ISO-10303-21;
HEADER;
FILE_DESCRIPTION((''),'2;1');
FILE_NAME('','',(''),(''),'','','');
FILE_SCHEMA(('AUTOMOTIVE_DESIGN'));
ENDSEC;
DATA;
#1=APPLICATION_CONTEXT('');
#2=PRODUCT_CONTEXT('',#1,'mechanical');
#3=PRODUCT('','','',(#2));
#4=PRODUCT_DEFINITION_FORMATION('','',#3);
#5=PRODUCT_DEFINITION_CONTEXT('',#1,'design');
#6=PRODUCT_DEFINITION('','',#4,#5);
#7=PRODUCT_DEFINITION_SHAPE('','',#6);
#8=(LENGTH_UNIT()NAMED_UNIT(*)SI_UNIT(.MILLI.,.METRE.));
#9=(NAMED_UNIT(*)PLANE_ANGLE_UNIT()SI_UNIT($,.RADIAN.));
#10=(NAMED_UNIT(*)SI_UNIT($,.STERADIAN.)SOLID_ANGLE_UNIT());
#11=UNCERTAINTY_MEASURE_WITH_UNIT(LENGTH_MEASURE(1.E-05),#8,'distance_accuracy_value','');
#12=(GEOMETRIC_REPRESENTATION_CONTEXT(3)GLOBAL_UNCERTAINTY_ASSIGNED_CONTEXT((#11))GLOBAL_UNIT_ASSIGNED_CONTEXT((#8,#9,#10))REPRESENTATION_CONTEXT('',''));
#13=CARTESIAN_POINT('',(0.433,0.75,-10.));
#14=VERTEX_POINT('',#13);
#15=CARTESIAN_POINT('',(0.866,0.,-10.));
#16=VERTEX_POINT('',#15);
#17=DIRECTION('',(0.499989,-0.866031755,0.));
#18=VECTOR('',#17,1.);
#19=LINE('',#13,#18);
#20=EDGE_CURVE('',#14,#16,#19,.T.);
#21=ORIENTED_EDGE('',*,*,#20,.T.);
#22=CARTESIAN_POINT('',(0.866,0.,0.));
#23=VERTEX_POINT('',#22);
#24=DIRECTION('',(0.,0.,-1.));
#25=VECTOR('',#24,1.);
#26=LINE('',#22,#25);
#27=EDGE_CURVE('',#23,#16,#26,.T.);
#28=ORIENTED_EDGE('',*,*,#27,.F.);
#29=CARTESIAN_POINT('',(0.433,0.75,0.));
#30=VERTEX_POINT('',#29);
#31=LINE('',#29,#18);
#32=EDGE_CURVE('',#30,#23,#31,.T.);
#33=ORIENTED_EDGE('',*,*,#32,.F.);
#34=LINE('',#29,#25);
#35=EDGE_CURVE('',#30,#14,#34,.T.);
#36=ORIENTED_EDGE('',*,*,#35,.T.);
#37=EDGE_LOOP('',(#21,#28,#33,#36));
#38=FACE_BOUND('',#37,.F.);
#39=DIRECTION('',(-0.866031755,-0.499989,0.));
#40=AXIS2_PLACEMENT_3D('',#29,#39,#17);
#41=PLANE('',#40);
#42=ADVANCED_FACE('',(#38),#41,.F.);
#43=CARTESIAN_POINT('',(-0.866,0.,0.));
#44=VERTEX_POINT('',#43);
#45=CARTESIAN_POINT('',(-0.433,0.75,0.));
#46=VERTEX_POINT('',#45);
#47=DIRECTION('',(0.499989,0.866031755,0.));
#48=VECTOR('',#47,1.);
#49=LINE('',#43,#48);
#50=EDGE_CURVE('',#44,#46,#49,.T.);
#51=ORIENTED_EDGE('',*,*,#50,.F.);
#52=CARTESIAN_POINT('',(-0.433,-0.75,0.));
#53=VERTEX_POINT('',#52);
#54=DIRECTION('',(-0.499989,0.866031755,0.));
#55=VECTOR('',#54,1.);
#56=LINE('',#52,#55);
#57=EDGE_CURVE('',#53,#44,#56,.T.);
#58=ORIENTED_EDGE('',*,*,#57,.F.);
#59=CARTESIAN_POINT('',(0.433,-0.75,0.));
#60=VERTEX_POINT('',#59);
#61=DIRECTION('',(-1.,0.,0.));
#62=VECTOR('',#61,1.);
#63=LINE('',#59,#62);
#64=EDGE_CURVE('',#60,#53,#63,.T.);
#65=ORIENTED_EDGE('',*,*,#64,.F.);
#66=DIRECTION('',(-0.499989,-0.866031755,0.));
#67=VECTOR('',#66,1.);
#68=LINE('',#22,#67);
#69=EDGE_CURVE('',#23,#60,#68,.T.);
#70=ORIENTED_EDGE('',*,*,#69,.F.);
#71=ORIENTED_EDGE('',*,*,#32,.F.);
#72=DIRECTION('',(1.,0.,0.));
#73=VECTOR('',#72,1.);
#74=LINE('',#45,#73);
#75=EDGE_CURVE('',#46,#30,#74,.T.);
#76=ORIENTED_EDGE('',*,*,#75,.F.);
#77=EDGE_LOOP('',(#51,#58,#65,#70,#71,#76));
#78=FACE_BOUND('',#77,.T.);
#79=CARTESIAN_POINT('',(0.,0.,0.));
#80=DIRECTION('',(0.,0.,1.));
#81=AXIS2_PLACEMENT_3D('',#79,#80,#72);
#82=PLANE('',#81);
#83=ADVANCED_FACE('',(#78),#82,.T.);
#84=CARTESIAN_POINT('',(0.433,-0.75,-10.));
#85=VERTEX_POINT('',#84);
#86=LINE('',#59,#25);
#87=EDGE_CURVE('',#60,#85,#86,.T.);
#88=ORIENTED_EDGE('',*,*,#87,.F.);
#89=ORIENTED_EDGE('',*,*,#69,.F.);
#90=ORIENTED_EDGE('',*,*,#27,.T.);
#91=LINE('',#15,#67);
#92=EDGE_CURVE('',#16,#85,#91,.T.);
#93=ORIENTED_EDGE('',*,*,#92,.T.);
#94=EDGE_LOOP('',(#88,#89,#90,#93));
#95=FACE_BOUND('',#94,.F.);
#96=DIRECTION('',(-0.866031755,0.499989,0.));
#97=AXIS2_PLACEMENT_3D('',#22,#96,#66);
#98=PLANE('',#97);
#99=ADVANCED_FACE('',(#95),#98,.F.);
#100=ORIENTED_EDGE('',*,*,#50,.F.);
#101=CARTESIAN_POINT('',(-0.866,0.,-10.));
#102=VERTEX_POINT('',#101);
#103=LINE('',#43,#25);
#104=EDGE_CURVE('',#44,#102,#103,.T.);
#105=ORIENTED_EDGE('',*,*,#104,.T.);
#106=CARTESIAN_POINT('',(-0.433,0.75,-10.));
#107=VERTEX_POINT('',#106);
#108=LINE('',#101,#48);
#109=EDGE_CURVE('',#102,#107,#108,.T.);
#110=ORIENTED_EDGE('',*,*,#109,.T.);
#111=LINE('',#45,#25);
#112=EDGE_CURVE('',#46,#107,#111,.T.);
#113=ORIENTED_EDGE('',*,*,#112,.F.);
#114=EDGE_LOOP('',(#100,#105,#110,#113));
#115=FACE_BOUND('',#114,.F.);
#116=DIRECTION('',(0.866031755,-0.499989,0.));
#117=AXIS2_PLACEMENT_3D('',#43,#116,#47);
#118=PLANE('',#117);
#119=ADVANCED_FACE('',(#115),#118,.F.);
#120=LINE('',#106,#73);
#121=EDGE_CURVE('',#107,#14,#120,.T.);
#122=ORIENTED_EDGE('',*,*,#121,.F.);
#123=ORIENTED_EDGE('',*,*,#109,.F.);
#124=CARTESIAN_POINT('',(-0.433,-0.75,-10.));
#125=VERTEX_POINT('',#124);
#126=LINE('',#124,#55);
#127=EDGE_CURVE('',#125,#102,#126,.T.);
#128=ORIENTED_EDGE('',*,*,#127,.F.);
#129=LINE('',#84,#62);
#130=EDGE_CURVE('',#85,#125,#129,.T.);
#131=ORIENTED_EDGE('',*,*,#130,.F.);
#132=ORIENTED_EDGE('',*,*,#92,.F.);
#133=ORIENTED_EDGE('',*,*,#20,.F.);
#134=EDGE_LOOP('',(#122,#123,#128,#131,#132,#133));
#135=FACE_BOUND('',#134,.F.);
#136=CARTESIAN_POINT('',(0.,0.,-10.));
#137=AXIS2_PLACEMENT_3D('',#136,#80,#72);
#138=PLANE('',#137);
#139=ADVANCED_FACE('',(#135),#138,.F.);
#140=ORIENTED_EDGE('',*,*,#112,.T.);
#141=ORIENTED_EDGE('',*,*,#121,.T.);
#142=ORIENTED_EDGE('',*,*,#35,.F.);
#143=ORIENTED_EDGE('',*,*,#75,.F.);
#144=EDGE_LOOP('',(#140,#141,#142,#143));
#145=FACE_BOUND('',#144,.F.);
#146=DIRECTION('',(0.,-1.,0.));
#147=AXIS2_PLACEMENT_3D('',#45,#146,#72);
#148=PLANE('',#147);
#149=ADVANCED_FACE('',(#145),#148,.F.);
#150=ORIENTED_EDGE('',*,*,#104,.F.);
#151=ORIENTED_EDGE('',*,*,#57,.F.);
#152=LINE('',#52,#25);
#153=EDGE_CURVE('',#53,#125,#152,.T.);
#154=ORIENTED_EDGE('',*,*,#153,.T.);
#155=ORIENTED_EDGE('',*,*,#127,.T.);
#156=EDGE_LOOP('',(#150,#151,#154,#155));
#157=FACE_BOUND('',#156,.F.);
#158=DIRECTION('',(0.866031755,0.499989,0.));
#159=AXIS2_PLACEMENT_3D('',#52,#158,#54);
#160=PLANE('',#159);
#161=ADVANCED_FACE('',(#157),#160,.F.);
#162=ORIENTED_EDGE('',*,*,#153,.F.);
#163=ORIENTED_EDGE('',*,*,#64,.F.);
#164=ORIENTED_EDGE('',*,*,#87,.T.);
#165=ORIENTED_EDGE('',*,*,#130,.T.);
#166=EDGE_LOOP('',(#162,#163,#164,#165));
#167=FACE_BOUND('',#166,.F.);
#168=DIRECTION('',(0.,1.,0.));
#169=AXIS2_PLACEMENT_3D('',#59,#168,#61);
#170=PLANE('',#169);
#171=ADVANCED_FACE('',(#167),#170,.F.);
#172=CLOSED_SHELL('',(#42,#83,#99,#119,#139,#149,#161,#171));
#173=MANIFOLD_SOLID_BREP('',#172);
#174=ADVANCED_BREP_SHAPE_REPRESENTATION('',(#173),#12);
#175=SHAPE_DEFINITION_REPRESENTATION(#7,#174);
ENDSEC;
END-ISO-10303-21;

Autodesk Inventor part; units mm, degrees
ref_plane "YZ Plane" through (0, 0, 0) normal (1, 0, 0) x (0, 1, 0)
ref_plane "XZ Plane" through (0, 0, 0) normal (0, 1, 0) x (-1, 0, 0)
ref_plane "XY Plane" through (0, 0, 0) normal (0, 0, 1) x (1, 0, 0)
sketch "Sketch1" plane through (0, 0, 0) normal (0, 0, 1) x (1, 0, 0)
  line L0 (0.866, 0) -> (0.433, -0.75)
  line L1 (0.433, -0.75) -> (-0.433, -0.75)
  line L2 (-0.433, -0.75) -> (-0.866, 0)
  line L3 (-0.866, 0) -> (-0.433, 0.75)
  line L4 (-0.433, 0.75) -> (0.433, 0.75)
  line L5 (0.433, 0.75) -> (0.866, 0)
  point P0 (0, 0)
  point P1 (0, 0)
  point P2 (0, 0.75)
  dimension "d3" = 0.75
extrude "Extrusion1" add sketch "Sketch1" against normal blind 10
properties part number "P88041_Wheel_Hex_Pin_C"
